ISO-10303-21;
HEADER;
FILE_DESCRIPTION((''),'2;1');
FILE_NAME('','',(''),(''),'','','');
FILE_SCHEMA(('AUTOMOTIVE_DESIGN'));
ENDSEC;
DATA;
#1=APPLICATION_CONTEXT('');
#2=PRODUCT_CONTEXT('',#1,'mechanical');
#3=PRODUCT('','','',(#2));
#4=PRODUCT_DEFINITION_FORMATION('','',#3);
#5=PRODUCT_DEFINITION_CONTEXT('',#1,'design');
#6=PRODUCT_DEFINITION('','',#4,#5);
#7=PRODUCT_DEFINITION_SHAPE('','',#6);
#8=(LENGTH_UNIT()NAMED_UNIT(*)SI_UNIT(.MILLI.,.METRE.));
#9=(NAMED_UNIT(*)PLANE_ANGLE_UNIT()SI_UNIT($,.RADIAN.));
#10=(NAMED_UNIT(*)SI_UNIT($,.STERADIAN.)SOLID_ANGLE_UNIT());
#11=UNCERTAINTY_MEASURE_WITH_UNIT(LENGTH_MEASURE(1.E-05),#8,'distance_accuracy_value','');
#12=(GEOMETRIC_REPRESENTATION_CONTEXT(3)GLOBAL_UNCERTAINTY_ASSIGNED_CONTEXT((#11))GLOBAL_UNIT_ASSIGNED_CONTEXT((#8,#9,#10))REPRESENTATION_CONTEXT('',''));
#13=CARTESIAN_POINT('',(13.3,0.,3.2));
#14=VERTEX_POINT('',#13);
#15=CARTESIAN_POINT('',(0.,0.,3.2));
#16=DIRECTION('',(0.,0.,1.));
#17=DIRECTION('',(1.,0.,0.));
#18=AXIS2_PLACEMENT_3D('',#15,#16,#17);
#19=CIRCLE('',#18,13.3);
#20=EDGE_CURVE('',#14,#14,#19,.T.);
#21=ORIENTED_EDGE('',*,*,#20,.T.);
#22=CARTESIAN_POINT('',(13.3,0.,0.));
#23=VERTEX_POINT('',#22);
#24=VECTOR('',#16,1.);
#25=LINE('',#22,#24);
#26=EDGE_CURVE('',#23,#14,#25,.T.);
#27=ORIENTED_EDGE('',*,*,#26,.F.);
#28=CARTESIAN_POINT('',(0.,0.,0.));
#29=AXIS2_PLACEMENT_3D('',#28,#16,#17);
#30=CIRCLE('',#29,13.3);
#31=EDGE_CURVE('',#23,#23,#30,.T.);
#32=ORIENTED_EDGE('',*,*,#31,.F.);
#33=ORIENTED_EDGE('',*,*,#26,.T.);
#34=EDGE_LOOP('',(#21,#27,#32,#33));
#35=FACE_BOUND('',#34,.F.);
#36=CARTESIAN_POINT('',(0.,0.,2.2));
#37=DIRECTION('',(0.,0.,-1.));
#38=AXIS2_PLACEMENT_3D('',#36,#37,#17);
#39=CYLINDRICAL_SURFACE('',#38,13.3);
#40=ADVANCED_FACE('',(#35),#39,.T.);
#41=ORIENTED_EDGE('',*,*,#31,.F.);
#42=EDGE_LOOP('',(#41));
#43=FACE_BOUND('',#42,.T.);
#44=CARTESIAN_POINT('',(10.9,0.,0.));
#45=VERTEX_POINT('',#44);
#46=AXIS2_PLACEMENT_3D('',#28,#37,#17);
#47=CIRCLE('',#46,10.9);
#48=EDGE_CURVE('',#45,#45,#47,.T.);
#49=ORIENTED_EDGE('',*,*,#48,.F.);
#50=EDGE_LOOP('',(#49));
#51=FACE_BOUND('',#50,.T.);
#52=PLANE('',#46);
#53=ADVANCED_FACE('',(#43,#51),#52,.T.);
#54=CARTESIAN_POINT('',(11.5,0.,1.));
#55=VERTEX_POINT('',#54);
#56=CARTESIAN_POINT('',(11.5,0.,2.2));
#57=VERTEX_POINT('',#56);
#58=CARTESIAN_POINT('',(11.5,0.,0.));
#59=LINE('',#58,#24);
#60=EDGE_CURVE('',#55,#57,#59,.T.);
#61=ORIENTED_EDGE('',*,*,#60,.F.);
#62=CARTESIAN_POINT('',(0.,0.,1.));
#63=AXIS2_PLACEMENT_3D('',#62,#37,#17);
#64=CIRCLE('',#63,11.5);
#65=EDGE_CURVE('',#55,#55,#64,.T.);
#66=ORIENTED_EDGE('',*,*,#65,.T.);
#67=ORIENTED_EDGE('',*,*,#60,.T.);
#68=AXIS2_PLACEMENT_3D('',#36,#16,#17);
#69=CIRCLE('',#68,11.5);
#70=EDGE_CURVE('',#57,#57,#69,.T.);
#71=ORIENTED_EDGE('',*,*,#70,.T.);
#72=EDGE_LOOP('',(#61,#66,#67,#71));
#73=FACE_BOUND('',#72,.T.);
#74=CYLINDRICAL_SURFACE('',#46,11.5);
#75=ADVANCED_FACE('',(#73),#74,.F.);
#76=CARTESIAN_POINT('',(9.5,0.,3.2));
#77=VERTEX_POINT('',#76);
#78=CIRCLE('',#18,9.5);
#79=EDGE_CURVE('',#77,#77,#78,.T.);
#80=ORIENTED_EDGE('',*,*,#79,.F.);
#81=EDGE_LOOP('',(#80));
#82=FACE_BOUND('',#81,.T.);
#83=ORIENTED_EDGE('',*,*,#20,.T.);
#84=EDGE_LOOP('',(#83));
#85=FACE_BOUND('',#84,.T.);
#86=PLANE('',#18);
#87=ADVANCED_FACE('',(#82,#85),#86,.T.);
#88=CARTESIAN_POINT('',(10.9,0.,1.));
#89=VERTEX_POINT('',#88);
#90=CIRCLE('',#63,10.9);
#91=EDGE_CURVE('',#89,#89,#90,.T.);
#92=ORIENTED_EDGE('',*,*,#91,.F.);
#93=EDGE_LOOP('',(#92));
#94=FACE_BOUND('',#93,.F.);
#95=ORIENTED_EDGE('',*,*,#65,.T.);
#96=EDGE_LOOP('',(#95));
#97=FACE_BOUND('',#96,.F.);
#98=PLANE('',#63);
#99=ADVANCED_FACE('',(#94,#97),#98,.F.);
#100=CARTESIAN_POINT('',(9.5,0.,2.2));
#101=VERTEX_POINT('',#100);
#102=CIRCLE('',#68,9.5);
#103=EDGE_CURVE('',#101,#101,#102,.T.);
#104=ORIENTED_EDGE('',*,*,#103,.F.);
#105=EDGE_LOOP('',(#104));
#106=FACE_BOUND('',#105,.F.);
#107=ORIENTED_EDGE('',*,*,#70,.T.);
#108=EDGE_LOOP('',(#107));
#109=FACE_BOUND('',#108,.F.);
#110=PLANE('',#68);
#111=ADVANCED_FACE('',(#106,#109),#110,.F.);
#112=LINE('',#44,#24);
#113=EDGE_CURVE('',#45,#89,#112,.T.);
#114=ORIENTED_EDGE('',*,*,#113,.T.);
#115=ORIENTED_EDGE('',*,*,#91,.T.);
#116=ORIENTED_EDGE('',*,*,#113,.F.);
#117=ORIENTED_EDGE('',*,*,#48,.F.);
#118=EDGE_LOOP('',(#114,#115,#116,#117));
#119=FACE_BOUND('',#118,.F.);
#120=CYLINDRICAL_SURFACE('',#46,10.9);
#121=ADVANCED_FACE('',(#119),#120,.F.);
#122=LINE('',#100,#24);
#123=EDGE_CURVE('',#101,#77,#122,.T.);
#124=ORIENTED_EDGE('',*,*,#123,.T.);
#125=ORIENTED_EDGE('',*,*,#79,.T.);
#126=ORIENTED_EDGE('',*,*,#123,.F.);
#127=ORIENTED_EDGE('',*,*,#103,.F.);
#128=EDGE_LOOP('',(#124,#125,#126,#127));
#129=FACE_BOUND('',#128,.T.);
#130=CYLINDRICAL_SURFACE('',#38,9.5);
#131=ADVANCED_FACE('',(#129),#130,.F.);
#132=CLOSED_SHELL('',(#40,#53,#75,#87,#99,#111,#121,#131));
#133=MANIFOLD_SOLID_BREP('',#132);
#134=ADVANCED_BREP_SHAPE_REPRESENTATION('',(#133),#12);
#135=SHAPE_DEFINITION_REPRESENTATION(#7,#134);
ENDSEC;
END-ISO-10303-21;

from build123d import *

# Parameters (mm, degrees)
F0_R     = 13.3
F0_R_2   = 11.5
F1_DEPTH = 2.2
F2_R     = 13.3
F2_R_2   = 11.5
F2_R_3   = 9.5
F3_DEPTH = 1
F4_R     = 11.5
F4_R_2   = 10.9
F5_DEPTH = 1


with BuildPart() as f1:
    # F0 (on Top) → F1 (new body)
    with BuildSketch(Plane.XY):
        Circle(F0_R)
        Circle(F0_R_2, mode=Mode.SUBTRACT)
    extrude(amount=F1_DEPTH)

    # F2 (on face) → F3 (join)
    with BuildSketch(Plane.XY.offset(2.2)):
        Circle(F2_R)
        Circle(F2_R_2, mode=Mode.SUBTRACT)
        Circle(F2_R_2)
        Circle(F2_R_3, mode=Mode.SUBTRACT)
    extrude(amount=F3_DEPTH)

    # F4 (on face) → F5 (join)
    with BuildSketch(Plane(origin=(0, 0, 0), x_dir=(1, 0, 0), z_dir=(0, 0, -1))):
        Circle(F4_R)
        Circle(F4_R_2, mode=Mode.SUBTRACT)
    extrude(amount=-F5_DEPTH)


solid = f1.part
